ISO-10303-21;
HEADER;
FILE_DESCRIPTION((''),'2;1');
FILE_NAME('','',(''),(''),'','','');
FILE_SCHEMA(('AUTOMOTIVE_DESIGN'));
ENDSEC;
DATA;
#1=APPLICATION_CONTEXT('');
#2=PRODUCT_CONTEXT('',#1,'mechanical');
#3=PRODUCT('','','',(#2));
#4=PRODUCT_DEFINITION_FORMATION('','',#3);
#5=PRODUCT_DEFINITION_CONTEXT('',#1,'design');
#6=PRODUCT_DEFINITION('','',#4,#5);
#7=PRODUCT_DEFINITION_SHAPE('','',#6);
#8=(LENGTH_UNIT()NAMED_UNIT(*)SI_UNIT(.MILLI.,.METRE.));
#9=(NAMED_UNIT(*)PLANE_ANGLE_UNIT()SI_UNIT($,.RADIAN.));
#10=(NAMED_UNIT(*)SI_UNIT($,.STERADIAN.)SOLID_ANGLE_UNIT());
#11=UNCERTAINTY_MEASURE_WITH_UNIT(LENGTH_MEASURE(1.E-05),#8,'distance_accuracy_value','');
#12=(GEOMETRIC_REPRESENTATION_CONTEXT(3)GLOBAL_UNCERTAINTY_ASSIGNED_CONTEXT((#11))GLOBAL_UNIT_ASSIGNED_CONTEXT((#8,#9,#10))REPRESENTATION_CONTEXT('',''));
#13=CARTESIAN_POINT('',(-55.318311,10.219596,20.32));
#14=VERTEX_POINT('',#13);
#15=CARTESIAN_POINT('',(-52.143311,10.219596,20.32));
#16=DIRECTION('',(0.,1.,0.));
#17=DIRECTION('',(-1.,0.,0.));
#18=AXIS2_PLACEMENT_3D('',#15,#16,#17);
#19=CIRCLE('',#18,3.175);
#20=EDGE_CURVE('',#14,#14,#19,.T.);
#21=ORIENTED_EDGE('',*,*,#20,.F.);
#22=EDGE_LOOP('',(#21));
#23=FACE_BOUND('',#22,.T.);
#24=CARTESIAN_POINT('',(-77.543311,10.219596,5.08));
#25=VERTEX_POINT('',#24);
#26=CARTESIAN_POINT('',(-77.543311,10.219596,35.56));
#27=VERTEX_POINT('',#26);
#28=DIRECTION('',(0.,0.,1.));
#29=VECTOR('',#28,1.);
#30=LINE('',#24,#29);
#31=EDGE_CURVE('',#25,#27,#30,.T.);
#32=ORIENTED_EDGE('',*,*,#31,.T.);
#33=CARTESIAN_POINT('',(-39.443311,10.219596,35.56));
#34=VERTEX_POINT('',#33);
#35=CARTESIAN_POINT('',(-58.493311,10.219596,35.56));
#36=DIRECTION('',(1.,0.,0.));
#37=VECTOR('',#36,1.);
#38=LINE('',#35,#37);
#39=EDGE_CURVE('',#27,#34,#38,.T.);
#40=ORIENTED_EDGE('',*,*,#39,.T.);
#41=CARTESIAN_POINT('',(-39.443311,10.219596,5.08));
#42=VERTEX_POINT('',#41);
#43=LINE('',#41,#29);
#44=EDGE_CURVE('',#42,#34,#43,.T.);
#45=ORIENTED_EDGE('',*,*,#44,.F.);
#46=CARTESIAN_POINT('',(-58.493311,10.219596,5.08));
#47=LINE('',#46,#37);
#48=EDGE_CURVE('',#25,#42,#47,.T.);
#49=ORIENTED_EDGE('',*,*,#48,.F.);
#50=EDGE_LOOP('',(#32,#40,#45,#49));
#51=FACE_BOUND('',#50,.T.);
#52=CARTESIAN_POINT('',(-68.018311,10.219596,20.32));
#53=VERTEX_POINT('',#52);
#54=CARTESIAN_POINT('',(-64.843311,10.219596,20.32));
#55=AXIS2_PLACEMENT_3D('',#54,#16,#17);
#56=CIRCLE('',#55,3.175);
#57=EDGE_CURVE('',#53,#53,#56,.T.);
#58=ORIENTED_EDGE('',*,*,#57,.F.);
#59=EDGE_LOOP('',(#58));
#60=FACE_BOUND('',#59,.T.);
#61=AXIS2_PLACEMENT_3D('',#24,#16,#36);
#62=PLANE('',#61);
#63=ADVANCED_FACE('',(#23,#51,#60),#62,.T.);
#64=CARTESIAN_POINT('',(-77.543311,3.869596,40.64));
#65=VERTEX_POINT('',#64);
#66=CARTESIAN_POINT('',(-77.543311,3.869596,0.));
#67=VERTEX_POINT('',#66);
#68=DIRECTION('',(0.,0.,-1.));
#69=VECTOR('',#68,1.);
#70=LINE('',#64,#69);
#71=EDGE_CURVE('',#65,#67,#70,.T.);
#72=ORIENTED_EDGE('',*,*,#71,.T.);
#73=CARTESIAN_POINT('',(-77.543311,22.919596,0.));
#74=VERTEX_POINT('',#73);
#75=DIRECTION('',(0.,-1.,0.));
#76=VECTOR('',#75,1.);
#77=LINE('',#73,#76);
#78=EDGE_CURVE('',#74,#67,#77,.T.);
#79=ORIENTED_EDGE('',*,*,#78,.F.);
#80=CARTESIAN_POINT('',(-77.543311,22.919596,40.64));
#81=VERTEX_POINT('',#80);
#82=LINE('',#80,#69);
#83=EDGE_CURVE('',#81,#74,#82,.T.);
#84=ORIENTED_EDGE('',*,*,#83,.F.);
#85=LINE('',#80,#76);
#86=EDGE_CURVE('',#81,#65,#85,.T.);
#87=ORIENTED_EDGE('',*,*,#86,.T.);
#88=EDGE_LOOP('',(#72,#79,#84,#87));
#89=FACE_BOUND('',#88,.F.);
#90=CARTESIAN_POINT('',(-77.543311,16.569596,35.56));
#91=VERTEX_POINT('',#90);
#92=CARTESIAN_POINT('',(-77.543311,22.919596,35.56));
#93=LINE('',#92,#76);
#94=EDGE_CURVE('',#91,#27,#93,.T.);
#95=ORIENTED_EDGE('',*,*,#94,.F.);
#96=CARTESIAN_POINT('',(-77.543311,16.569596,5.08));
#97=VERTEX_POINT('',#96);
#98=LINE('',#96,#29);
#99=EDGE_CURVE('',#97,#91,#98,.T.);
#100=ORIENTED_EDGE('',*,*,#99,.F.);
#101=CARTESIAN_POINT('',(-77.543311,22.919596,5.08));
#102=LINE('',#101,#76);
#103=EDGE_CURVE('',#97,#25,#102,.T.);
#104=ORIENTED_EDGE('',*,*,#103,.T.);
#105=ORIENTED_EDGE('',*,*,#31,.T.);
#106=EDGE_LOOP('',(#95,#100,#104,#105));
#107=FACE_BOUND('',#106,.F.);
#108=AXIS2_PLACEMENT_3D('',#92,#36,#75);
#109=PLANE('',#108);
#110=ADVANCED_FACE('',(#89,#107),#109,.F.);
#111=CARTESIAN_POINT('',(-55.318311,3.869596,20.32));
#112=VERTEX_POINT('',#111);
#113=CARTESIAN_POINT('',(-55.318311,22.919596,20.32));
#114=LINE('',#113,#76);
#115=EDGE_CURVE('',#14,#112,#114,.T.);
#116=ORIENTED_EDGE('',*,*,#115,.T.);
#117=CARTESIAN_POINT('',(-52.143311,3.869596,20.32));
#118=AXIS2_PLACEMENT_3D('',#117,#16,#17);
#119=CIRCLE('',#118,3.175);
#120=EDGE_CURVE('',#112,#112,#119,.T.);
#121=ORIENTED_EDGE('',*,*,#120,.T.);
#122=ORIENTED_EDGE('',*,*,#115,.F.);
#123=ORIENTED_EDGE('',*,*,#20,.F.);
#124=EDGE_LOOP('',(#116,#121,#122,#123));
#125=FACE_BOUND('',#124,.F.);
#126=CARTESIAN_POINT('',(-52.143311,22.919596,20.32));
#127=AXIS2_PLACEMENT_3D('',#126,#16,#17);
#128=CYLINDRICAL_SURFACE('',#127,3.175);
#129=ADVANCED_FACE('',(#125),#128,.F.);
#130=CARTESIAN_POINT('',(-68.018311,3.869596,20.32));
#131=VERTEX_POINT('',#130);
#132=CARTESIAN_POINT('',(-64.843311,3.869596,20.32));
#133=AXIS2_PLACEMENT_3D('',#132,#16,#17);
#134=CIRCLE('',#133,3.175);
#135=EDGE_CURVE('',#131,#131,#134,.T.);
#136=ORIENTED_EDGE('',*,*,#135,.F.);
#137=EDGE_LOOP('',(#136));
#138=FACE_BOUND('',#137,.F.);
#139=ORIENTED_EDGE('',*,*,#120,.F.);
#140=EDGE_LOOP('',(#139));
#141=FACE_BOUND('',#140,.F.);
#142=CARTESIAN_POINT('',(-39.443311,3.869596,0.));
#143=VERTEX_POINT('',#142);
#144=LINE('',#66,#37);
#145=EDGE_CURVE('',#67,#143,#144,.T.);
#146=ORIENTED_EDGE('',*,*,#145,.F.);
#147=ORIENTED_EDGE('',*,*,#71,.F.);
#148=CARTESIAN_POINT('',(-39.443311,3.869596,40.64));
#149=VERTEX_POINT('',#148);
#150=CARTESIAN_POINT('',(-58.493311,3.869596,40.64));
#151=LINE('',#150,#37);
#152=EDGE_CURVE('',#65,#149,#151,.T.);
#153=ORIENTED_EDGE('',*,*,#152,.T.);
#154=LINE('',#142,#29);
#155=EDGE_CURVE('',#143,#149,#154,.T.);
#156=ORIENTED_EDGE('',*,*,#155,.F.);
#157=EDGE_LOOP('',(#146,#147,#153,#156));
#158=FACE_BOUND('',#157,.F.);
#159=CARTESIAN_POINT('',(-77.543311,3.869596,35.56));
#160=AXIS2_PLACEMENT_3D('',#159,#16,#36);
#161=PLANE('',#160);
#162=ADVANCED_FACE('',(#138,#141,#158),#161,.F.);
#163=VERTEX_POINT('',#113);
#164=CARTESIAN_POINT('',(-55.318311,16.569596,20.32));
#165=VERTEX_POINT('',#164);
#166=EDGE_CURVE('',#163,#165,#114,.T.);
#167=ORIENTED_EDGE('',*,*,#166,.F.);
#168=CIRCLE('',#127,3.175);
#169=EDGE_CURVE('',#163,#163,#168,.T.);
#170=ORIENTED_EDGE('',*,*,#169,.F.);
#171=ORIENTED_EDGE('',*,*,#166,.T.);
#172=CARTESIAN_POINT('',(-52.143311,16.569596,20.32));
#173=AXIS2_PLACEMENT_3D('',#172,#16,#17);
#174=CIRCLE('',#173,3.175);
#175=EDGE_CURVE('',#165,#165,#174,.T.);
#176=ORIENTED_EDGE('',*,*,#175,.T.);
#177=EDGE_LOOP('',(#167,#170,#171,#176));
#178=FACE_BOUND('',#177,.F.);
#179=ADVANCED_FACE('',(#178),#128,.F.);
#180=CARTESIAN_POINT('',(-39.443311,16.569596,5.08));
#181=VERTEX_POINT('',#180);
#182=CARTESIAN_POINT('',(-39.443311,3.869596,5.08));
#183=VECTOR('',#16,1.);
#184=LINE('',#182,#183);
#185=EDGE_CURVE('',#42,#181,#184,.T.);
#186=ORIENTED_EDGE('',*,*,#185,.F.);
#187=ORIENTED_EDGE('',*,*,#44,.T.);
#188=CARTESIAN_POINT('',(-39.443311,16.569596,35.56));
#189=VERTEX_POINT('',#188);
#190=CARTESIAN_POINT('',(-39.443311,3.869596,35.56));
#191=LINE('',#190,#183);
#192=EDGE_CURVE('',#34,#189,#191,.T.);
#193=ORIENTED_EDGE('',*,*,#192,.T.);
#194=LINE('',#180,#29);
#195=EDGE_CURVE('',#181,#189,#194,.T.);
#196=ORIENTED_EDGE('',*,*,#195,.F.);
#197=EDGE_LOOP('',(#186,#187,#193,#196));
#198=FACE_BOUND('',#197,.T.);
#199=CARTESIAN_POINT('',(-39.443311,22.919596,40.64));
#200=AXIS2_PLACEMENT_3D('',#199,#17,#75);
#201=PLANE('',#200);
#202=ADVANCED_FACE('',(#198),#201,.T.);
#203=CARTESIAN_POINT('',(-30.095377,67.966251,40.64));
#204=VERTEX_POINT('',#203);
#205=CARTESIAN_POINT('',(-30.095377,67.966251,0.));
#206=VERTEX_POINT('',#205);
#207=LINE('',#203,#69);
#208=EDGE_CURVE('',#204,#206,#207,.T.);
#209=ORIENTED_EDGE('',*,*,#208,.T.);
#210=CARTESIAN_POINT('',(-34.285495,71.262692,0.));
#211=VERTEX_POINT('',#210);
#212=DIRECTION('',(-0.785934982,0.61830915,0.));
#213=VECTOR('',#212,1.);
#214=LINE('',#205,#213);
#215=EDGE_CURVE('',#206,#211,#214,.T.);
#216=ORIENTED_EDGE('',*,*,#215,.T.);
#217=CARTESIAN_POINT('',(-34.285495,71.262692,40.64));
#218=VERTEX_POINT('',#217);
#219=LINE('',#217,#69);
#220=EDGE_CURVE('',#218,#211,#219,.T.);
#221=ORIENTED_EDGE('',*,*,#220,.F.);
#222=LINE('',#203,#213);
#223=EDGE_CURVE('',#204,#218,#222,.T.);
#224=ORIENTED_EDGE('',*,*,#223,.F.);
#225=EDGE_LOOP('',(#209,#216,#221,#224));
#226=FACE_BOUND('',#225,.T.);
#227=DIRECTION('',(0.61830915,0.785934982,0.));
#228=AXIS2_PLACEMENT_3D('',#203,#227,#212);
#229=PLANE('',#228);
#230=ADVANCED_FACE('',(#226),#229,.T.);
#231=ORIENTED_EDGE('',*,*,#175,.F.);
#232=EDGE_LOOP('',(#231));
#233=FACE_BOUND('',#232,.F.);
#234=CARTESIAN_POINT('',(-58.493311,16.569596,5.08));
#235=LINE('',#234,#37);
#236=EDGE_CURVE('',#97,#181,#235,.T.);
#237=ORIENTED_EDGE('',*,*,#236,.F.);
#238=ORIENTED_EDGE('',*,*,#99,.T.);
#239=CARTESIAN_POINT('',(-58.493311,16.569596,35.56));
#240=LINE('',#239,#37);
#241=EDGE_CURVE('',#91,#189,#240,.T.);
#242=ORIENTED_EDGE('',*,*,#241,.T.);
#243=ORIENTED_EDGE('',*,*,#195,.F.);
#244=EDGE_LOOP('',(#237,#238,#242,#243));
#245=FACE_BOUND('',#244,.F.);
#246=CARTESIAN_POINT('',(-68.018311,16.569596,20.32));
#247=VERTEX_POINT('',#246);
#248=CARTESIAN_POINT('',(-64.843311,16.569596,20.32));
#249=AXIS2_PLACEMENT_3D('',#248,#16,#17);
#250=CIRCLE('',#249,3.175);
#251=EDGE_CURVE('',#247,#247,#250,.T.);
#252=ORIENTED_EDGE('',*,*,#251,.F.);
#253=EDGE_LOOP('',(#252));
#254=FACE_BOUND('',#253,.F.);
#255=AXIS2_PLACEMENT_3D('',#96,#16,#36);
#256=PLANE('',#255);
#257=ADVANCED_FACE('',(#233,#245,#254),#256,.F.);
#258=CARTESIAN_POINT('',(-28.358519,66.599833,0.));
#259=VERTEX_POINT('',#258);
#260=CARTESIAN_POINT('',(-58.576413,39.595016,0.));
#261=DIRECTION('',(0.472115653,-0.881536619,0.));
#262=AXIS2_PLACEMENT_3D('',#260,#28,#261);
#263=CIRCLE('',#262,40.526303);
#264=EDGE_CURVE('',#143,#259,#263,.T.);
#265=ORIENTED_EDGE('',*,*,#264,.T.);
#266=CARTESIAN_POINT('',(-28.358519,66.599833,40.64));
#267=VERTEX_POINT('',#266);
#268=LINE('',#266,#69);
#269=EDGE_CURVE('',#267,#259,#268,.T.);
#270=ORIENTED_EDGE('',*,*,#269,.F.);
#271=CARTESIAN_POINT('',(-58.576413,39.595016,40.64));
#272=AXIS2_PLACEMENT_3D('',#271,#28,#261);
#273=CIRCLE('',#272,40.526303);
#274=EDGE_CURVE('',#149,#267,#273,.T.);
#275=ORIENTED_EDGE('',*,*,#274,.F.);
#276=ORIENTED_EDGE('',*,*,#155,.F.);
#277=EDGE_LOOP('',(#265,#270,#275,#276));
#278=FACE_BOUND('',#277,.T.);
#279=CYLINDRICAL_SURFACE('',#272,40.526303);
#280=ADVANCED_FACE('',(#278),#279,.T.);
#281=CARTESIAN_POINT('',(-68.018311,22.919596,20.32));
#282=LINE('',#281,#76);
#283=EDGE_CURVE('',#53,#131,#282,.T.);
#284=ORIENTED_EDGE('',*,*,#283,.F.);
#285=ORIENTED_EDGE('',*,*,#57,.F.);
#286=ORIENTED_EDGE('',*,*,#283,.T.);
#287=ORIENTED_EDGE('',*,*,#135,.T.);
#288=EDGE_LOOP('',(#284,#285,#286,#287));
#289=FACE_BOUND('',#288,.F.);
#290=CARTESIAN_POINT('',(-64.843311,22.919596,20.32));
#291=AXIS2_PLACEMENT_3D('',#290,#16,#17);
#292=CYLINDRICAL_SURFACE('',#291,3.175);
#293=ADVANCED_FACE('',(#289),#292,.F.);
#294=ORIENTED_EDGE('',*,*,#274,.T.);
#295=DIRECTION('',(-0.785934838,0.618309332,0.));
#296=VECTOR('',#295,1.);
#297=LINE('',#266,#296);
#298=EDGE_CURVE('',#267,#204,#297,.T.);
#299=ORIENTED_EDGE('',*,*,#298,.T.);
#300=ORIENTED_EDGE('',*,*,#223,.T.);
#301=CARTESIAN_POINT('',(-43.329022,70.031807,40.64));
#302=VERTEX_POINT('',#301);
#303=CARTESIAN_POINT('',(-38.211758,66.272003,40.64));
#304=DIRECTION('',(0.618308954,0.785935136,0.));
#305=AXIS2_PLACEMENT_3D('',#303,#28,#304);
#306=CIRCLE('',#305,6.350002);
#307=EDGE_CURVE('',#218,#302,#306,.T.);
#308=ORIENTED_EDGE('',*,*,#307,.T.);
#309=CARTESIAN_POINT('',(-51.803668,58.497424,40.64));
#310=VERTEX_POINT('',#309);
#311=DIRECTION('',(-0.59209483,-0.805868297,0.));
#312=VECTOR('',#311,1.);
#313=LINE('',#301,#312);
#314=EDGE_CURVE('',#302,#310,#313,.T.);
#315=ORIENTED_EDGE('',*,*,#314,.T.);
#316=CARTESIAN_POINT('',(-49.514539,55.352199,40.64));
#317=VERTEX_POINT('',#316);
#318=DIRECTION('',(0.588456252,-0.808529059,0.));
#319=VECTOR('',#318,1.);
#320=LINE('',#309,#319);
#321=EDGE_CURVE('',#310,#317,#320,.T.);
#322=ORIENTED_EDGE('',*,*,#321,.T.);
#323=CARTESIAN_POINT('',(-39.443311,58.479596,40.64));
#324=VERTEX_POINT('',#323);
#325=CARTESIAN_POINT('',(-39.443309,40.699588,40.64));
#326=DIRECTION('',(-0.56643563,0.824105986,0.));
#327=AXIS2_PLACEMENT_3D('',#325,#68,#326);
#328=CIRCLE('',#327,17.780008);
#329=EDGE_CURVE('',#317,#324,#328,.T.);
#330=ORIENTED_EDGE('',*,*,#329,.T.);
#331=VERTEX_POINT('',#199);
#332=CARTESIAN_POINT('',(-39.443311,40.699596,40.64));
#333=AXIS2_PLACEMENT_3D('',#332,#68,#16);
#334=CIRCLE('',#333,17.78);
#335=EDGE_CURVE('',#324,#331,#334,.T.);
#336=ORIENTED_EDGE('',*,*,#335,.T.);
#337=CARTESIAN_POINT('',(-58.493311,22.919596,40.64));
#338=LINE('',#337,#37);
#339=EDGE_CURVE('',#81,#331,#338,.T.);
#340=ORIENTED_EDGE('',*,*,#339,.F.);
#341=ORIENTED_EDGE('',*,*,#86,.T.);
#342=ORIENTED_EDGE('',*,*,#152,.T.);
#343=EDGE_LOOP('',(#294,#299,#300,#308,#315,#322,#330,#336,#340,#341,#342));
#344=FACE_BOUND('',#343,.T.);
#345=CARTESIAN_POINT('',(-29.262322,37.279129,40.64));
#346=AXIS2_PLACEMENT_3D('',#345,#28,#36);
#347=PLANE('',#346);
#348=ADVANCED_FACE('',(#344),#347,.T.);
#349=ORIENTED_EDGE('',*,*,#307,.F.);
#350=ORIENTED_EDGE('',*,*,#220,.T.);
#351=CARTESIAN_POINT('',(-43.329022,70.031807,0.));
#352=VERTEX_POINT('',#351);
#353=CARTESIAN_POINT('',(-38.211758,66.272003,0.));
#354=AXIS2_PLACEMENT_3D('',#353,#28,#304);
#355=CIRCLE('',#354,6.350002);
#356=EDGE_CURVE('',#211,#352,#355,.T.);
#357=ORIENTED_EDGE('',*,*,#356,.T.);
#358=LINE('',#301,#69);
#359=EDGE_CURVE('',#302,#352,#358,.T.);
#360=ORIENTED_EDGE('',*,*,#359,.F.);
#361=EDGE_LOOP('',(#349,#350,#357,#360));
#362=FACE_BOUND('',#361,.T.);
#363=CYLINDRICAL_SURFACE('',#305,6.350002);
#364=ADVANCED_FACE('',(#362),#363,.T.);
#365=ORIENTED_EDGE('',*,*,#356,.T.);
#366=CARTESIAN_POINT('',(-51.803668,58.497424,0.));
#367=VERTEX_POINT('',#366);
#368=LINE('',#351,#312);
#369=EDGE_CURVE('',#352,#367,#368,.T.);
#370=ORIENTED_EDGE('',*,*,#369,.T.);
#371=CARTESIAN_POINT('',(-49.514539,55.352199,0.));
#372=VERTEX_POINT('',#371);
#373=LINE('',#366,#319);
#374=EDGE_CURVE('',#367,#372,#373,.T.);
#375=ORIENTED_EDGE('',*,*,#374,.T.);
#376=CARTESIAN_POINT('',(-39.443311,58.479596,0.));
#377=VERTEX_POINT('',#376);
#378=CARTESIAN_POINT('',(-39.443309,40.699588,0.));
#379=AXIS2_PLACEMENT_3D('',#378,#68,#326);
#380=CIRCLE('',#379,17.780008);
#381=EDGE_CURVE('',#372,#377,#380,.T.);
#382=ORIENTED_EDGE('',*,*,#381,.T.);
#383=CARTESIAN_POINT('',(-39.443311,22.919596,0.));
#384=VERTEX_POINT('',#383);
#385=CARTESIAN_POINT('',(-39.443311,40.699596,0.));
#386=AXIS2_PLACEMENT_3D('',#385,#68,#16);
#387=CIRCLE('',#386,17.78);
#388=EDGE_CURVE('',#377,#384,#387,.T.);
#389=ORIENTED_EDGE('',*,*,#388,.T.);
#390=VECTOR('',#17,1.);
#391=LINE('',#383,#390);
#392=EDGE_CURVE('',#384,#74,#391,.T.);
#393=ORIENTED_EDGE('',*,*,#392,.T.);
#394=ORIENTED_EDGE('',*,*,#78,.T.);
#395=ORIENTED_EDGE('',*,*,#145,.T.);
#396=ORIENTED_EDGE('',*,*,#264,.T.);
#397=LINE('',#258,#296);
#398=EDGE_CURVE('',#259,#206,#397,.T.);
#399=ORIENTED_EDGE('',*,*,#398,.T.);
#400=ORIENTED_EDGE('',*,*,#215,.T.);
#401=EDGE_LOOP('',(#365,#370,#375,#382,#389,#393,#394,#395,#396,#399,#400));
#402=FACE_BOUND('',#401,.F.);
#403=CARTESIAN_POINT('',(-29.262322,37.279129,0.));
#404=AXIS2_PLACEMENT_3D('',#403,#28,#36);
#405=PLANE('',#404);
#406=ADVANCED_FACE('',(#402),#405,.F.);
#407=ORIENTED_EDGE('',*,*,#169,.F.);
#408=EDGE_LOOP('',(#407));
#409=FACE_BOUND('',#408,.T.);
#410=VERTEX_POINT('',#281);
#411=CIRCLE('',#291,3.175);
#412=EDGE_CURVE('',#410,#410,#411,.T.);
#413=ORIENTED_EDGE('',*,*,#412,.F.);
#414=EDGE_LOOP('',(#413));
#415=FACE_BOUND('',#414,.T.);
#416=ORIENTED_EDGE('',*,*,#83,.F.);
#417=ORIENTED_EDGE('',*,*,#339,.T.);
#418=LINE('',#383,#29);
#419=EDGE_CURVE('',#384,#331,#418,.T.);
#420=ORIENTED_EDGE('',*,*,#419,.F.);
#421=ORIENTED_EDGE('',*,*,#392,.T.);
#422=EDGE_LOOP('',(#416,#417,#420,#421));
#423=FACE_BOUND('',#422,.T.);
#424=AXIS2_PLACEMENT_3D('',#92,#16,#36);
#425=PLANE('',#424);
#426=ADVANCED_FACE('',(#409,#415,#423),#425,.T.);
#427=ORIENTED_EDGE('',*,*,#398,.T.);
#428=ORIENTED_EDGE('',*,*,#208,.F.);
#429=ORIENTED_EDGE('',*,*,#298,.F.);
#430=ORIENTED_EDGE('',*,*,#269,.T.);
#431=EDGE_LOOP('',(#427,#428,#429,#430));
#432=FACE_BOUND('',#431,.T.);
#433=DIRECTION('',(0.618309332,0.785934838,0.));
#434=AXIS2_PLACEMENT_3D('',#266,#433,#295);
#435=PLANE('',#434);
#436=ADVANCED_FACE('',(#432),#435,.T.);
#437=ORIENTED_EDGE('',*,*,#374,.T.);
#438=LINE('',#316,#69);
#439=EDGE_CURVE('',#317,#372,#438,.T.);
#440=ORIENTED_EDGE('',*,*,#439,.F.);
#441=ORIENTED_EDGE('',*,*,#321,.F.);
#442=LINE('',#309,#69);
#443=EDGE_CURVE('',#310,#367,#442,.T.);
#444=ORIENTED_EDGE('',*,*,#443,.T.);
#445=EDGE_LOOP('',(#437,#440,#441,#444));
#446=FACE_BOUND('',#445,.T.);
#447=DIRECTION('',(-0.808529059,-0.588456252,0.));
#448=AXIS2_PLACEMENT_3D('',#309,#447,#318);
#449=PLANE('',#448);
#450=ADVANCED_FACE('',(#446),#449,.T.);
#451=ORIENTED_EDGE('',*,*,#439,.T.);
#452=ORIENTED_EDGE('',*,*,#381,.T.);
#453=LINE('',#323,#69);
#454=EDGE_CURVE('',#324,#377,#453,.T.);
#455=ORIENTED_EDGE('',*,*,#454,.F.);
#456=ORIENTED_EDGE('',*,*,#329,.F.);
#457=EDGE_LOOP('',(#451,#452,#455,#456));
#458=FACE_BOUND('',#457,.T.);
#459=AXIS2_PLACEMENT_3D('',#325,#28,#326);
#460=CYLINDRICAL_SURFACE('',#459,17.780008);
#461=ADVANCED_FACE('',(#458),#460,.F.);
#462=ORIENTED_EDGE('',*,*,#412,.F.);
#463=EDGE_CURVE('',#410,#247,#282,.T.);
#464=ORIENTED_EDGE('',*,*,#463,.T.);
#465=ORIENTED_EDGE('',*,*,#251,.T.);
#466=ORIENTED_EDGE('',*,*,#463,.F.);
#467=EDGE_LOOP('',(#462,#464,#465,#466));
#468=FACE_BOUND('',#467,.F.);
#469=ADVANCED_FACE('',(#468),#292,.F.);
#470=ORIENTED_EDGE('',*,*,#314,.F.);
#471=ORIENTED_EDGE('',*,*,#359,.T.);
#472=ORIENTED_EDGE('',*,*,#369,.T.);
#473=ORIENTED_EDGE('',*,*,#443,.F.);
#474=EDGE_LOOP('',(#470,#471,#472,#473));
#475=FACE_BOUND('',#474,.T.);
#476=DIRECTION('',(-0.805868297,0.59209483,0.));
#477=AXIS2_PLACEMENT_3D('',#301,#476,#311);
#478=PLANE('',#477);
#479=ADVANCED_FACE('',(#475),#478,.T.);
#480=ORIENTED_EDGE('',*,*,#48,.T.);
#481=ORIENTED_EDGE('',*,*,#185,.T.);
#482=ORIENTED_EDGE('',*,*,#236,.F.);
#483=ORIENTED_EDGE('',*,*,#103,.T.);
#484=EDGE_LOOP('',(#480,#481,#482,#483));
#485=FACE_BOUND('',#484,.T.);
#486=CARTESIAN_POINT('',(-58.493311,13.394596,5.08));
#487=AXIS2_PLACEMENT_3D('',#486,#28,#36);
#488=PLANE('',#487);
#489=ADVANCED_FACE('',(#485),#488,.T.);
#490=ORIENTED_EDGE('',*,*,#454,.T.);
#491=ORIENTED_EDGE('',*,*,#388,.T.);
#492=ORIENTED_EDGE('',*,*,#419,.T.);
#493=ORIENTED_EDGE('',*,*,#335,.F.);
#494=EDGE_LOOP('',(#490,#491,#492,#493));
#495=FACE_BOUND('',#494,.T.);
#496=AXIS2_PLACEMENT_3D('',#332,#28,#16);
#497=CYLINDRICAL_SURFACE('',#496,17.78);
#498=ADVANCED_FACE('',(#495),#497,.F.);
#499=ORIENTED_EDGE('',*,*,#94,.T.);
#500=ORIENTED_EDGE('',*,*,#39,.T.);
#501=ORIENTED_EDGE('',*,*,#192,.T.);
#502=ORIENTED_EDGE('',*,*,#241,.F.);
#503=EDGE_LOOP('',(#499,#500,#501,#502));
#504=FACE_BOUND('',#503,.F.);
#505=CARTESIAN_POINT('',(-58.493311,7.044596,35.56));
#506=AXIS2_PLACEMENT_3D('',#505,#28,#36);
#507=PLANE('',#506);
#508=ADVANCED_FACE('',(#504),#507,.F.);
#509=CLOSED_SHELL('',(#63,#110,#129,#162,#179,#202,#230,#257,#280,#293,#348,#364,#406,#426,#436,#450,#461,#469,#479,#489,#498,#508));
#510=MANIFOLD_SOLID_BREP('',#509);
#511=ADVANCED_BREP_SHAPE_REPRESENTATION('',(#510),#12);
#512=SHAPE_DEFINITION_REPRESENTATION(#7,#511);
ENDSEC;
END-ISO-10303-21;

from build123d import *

# Parameters (mm, degrees)
F1_DEPTH = 5.08
F2_W     = 38.1
F2_H     = 6.35
F3_DEPTH = 30.48
F4_W     = 38.1
F4_H     = 6.35
F4_H_2   = 12.7
F5_DEPTH = 5.08
F7_DEPTH = 40.64
F8_R     = 3.175
F9_DEPTH = 25.4


with BuildPart() as f1:
    # F0 (on Top) → F1 (new body)
    with BuildSketch(Plane.XY):
        Polygon((-77.543311, 10.219596), (-77.543311, 3.869596), (-39.443311, 3.869596), (-39.443311, 10.219596), (-39.443311, 16.569596), (-39.443311, 22.919596), (-77.543311, 22.919596), (-77.543311, 16.569596), align=None)
    extrude(amount=F1_DEPTH)

    # F2 (on face) → F3 (join)
    with BuildSketch(Plane.XY.offset(5.08)):
        with Locations((-58.493311, 19.744596)):
            Rectangle(F2_W, F2_H)
        with Locations((-58.493311, 7.044596)):
            Rectangle(F2_W, F2_H)
    extrude(amount=F3_DEPTH)

    # F4 (on face) → F5 (join)
    with BuildSketch(Plane.XY.offset(35.56)):
        with Locations((-58.493311, 7.044596)):
            Rectangle(F4_W, F4_H)
        with Locations((-58.493311, 16.569596)):
            Rectangle(F4_W, F4_H_2)
    extrude(amount=F5_DEPTH)

    # F6 (on face) → F7 (join, through all)
    with BuildSketch(Plane.XY.offset(40.64)):
        with BuildLine():
            ThreePointArc((-39.443311, 58.479596), (-21.663311, 40.699596), (-39.443311, 22.919596))
            Line((-39.443311, 22.919596), (-39.443311, 3.869596))
            ThreePointArc((-39.443311, 3.869596), (-18.668383, 32.543039), (-28.358519, 66.599833))
            Line((-28.358519, 66.599833), (-30.095377, 67.966251))
            ThreePointArc((-30.095377, 67.966251), (-36.355643, 67.8164), (-39.443311, 62.368493))
            Line((-39.443311, 62.368493), (-39.443311, 58.479596))
        make_face()
        with BuildLine():
            ThreePointArc((-51.803668, 58.497424), (-45.919491, 61.378092), (-39.443311, 62.368493))
            ThreePointArc((-39.443311, 62.368493), (-36.355643, 67.8164), (-30.095377, 67.966251))
            Line((-30.095377, 67.966251), (-34.285495, 71.262692))
            ThreePointArc((-34.285495, 71.262692), (-39.06814, 72.563992), (-43.329022, 70.031807))
            Line((-43.329022, 70.031807), (-51.803668, 58.497424))
        make_face()
        with BuildLine():
            ThreePointArc((-49.514539, 55.352199), (-44.716124, 57.679756), (-39.443311, 58.479596))
            Line((-39.443311, 58.479596), (-39.443311, 62.368493))
            ThreePointArc((-39.443311, 62.368493), (-45.919491, 61.378092), (-51.803668, 58.497424))
            Line((-51.803668, 58.497424), (-49.514539, 55.352199))
        make_face()
    extrude(amount=-F7_DEPTH)

    # F8 (on face) → F9 (cut)
    with BuildSketch(Plane(origin=(0, 22.919596, 0), x_dir=(-1, 0, 0), z_dir=(0, 1, 0))):
        with Locations((64.843311, 20.32)):
            Circle(F8_R)
        with Locations((52.143311, 20.32)):
            Circle(F8_R)
    extrude(amount=-F9_DEPTH, mode=Mode.SUBTRACT)


solid = f1.part
